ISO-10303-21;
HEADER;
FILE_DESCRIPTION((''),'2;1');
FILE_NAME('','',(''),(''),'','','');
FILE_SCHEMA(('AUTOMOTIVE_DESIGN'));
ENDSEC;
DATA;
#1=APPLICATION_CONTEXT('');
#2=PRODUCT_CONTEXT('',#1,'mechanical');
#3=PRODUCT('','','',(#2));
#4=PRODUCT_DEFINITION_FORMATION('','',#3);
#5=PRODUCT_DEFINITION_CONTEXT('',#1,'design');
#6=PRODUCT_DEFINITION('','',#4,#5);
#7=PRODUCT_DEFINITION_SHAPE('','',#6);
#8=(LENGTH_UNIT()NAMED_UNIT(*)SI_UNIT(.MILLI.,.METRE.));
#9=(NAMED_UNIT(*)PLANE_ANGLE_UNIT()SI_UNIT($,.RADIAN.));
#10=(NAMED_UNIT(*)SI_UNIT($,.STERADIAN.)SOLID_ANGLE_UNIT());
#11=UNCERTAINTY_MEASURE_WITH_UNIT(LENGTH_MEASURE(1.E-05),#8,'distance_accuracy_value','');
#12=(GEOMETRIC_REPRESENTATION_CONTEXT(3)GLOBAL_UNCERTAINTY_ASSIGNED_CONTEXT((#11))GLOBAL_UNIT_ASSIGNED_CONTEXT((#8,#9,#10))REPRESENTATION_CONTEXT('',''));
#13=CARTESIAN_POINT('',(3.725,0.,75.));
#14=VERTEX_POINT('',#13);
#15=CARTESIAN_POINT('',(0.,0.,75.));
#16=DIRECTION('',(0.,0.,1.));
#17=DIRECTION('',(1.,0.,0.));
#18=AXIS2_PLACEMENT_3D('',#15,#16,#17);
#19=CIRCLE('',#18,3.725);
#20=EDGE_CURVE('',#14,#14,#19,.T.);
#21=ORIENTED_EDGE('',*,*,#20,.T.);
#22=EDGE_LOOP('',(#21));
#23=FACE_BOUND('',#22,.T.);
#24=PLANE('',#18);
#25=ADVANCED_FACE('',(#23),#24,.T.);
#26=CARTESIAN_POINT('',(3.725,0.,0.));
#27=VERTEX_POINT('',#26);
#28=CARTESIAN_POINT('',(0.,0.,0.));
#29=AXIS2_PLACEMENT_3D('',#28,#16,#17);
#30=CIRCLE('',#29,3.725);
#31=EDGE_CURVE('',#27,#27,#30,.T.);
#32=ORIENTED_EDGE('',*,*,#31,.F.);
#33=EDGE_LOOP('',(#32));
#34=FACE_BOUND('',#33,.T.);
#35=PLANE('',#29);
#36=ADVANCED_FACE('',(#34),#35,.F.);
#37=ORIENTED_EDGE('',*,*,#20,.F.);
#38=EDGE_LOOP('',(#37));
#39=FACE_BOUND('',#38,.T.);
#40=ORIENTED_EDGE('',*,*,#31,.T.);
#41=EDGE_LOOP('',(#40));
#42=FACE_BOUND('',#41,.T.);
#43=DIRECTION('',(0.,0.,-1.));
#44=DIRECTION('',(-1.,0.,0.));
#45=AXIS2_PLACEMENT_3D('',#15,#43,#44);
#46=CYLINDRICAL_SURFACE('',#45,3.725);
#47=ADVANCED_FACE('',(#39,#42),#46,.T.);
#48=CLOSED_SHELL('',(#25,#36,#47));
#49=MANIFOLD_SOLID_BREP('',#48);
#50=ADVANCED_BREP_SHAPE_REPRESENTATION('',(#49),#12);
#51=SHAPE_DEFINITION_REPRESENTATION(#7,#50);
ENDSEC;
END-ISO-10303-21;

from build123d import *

# Parameters (mm, degrees)
SKETCH1_R           = 3.725
BOSS_EXTRUDE1_DEPTH = 75


with BuildPart() as part:
    # Sketch1 → Boss-Extrude1 (new body)
    with BuildSketch(Plane.XY):
        Circle(SKETCH1_R)
    extrude(amount=BOSS_EXTRUDE1_DEPTH)


solid = part.part
